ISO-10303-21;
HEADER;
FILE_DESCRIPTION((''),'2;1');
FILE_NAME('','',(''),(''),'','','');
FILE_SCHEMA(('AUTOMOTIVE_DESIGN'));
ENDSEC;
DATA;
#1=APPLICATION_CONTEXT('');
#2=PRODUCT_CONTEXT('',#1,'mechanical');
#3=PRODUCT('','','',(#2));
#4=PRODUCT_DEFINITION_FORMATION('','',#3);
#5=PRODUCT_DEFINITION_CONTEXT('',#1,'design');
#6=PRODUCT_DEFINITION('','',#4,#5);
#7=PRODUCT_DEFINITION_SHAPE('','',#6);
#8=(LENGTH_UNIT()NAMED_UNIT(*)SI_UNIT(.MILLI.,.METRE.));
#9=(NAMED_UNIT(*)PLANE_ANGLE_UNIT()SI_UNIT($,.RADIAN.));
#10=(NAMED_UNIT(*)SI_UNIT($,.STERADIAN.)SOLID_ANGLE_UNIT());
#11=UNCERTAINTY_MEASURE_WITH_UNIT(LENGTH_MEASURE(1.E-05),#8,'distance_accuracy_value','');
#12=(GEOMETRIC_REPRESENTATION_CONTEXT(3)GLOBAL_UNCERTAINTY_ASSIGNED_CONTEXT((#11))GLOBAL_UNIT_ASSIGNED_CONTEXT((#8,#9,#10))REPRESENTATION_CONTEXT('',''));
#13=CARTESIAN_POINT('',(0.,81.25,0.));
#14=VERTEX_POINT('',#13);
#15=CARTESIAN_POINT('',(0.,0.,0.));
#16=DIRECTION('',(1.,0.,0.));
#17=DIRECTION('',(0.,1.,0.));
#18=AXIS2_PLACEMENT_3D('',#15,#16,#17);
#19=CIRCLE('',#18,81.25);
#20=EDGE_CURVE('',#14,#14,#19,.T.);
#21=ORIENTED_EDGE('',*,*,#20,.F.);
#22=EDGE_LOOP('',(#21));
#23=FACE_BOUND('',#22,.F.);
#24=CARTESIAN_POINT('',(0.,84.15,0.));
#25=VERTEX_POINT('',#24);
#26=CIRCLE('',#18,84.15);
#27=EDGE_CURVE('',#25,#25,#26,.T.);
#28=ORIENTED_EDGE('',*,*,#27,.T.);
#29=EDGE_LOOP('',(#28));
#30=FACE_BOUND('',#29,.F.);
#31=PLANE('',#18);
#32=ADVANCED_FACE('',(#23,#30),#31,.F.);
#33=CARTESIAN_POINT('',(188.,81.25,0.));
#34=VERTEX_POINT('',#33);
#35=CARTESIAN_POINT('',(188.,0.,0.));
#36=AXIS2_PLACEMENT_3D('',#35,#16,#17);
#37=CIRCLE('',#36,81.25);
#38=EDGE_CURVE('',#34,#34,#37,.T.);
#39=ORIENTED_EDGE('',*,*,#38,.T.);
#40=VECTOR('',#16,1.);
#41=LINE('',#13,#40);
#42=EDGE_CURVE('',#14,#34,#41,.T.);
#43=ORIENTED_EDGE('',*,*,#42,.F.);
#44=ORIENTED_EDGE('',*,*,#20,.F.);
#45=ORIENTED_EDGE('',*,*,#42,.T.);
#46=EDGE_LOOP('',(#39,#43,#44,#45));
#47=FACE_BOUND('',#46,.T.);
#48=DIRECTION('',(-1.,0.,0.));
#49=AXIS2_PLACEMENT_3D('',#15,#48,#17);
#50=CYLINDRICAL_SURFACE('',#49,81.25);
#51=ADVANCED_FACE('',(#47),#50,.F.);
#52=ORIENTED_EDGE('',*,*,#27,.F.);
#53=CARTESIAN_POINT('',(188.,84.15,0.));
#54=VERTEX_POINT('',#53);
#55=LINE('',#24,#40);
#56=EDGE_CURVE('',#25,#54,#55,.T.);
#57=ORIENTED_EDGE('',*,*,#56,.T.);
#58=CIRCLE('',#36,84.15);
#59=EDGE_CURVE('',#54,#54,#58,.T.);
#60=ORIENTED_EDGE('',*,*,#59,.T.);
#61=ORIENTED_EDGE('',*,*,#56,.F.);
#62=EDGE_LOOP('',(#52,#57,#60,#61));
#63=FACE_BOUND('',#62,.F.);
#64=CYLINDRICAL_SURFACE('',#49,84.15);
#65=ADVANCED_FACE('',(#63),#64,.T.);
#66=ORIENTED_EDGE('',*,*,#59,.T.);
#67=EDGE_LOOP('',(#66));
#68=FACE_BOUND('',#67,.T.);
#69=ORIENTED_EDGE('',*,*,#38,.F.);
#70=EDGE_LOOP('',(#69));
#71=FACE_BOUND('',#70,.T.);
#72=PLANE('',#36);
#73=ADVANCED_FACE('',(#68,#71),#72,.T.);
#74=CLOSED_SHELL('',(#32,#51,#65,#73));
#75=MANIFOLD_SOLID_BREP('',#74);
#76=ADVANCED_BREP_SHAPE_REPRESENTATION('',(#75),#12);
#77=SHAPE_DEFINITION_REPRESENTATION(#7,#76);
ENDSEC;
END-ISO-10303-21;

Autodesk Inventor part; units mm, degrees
ref_plane "YZ Plane" through (0, 0, 0) normal (1, 0, 0) x (0, 1, 0)
ref_plane "XZ Plane" through (0, 0, 0) normal (0, 1, 0) x (-1, 0, 0)
ref_plane "XY Plane" through (0, 0, 0) normal (0, 0, 1) x (1, 0, 0)
sketch "Sketch1" plane through (0, 0, 0) normal (1, 0, 0) x (0, 1, 0)
  circle A0 centre (0, 0) radius 84.15
  circle A1 centre (0, 0) radius 81.25
  dimension "d0" = 168.3
  dimension "d1" = 2.9
extrude "Extrusion1" add sketch "Sketch1" along normal blind 188
equation "\"d0\" = OD"
equation "\"d1\" = t"
equation "\"d2\" = L"
equation "\"OD\" = 168.3"
equation "\"t\" = 2.9"
equation "\"L\" = PL"
equation "\"ID\" = 162.5"
equation "\"PL\" = 188"
equation "\"Size_Designation\" = 1.2345"
properties material "Steel"
